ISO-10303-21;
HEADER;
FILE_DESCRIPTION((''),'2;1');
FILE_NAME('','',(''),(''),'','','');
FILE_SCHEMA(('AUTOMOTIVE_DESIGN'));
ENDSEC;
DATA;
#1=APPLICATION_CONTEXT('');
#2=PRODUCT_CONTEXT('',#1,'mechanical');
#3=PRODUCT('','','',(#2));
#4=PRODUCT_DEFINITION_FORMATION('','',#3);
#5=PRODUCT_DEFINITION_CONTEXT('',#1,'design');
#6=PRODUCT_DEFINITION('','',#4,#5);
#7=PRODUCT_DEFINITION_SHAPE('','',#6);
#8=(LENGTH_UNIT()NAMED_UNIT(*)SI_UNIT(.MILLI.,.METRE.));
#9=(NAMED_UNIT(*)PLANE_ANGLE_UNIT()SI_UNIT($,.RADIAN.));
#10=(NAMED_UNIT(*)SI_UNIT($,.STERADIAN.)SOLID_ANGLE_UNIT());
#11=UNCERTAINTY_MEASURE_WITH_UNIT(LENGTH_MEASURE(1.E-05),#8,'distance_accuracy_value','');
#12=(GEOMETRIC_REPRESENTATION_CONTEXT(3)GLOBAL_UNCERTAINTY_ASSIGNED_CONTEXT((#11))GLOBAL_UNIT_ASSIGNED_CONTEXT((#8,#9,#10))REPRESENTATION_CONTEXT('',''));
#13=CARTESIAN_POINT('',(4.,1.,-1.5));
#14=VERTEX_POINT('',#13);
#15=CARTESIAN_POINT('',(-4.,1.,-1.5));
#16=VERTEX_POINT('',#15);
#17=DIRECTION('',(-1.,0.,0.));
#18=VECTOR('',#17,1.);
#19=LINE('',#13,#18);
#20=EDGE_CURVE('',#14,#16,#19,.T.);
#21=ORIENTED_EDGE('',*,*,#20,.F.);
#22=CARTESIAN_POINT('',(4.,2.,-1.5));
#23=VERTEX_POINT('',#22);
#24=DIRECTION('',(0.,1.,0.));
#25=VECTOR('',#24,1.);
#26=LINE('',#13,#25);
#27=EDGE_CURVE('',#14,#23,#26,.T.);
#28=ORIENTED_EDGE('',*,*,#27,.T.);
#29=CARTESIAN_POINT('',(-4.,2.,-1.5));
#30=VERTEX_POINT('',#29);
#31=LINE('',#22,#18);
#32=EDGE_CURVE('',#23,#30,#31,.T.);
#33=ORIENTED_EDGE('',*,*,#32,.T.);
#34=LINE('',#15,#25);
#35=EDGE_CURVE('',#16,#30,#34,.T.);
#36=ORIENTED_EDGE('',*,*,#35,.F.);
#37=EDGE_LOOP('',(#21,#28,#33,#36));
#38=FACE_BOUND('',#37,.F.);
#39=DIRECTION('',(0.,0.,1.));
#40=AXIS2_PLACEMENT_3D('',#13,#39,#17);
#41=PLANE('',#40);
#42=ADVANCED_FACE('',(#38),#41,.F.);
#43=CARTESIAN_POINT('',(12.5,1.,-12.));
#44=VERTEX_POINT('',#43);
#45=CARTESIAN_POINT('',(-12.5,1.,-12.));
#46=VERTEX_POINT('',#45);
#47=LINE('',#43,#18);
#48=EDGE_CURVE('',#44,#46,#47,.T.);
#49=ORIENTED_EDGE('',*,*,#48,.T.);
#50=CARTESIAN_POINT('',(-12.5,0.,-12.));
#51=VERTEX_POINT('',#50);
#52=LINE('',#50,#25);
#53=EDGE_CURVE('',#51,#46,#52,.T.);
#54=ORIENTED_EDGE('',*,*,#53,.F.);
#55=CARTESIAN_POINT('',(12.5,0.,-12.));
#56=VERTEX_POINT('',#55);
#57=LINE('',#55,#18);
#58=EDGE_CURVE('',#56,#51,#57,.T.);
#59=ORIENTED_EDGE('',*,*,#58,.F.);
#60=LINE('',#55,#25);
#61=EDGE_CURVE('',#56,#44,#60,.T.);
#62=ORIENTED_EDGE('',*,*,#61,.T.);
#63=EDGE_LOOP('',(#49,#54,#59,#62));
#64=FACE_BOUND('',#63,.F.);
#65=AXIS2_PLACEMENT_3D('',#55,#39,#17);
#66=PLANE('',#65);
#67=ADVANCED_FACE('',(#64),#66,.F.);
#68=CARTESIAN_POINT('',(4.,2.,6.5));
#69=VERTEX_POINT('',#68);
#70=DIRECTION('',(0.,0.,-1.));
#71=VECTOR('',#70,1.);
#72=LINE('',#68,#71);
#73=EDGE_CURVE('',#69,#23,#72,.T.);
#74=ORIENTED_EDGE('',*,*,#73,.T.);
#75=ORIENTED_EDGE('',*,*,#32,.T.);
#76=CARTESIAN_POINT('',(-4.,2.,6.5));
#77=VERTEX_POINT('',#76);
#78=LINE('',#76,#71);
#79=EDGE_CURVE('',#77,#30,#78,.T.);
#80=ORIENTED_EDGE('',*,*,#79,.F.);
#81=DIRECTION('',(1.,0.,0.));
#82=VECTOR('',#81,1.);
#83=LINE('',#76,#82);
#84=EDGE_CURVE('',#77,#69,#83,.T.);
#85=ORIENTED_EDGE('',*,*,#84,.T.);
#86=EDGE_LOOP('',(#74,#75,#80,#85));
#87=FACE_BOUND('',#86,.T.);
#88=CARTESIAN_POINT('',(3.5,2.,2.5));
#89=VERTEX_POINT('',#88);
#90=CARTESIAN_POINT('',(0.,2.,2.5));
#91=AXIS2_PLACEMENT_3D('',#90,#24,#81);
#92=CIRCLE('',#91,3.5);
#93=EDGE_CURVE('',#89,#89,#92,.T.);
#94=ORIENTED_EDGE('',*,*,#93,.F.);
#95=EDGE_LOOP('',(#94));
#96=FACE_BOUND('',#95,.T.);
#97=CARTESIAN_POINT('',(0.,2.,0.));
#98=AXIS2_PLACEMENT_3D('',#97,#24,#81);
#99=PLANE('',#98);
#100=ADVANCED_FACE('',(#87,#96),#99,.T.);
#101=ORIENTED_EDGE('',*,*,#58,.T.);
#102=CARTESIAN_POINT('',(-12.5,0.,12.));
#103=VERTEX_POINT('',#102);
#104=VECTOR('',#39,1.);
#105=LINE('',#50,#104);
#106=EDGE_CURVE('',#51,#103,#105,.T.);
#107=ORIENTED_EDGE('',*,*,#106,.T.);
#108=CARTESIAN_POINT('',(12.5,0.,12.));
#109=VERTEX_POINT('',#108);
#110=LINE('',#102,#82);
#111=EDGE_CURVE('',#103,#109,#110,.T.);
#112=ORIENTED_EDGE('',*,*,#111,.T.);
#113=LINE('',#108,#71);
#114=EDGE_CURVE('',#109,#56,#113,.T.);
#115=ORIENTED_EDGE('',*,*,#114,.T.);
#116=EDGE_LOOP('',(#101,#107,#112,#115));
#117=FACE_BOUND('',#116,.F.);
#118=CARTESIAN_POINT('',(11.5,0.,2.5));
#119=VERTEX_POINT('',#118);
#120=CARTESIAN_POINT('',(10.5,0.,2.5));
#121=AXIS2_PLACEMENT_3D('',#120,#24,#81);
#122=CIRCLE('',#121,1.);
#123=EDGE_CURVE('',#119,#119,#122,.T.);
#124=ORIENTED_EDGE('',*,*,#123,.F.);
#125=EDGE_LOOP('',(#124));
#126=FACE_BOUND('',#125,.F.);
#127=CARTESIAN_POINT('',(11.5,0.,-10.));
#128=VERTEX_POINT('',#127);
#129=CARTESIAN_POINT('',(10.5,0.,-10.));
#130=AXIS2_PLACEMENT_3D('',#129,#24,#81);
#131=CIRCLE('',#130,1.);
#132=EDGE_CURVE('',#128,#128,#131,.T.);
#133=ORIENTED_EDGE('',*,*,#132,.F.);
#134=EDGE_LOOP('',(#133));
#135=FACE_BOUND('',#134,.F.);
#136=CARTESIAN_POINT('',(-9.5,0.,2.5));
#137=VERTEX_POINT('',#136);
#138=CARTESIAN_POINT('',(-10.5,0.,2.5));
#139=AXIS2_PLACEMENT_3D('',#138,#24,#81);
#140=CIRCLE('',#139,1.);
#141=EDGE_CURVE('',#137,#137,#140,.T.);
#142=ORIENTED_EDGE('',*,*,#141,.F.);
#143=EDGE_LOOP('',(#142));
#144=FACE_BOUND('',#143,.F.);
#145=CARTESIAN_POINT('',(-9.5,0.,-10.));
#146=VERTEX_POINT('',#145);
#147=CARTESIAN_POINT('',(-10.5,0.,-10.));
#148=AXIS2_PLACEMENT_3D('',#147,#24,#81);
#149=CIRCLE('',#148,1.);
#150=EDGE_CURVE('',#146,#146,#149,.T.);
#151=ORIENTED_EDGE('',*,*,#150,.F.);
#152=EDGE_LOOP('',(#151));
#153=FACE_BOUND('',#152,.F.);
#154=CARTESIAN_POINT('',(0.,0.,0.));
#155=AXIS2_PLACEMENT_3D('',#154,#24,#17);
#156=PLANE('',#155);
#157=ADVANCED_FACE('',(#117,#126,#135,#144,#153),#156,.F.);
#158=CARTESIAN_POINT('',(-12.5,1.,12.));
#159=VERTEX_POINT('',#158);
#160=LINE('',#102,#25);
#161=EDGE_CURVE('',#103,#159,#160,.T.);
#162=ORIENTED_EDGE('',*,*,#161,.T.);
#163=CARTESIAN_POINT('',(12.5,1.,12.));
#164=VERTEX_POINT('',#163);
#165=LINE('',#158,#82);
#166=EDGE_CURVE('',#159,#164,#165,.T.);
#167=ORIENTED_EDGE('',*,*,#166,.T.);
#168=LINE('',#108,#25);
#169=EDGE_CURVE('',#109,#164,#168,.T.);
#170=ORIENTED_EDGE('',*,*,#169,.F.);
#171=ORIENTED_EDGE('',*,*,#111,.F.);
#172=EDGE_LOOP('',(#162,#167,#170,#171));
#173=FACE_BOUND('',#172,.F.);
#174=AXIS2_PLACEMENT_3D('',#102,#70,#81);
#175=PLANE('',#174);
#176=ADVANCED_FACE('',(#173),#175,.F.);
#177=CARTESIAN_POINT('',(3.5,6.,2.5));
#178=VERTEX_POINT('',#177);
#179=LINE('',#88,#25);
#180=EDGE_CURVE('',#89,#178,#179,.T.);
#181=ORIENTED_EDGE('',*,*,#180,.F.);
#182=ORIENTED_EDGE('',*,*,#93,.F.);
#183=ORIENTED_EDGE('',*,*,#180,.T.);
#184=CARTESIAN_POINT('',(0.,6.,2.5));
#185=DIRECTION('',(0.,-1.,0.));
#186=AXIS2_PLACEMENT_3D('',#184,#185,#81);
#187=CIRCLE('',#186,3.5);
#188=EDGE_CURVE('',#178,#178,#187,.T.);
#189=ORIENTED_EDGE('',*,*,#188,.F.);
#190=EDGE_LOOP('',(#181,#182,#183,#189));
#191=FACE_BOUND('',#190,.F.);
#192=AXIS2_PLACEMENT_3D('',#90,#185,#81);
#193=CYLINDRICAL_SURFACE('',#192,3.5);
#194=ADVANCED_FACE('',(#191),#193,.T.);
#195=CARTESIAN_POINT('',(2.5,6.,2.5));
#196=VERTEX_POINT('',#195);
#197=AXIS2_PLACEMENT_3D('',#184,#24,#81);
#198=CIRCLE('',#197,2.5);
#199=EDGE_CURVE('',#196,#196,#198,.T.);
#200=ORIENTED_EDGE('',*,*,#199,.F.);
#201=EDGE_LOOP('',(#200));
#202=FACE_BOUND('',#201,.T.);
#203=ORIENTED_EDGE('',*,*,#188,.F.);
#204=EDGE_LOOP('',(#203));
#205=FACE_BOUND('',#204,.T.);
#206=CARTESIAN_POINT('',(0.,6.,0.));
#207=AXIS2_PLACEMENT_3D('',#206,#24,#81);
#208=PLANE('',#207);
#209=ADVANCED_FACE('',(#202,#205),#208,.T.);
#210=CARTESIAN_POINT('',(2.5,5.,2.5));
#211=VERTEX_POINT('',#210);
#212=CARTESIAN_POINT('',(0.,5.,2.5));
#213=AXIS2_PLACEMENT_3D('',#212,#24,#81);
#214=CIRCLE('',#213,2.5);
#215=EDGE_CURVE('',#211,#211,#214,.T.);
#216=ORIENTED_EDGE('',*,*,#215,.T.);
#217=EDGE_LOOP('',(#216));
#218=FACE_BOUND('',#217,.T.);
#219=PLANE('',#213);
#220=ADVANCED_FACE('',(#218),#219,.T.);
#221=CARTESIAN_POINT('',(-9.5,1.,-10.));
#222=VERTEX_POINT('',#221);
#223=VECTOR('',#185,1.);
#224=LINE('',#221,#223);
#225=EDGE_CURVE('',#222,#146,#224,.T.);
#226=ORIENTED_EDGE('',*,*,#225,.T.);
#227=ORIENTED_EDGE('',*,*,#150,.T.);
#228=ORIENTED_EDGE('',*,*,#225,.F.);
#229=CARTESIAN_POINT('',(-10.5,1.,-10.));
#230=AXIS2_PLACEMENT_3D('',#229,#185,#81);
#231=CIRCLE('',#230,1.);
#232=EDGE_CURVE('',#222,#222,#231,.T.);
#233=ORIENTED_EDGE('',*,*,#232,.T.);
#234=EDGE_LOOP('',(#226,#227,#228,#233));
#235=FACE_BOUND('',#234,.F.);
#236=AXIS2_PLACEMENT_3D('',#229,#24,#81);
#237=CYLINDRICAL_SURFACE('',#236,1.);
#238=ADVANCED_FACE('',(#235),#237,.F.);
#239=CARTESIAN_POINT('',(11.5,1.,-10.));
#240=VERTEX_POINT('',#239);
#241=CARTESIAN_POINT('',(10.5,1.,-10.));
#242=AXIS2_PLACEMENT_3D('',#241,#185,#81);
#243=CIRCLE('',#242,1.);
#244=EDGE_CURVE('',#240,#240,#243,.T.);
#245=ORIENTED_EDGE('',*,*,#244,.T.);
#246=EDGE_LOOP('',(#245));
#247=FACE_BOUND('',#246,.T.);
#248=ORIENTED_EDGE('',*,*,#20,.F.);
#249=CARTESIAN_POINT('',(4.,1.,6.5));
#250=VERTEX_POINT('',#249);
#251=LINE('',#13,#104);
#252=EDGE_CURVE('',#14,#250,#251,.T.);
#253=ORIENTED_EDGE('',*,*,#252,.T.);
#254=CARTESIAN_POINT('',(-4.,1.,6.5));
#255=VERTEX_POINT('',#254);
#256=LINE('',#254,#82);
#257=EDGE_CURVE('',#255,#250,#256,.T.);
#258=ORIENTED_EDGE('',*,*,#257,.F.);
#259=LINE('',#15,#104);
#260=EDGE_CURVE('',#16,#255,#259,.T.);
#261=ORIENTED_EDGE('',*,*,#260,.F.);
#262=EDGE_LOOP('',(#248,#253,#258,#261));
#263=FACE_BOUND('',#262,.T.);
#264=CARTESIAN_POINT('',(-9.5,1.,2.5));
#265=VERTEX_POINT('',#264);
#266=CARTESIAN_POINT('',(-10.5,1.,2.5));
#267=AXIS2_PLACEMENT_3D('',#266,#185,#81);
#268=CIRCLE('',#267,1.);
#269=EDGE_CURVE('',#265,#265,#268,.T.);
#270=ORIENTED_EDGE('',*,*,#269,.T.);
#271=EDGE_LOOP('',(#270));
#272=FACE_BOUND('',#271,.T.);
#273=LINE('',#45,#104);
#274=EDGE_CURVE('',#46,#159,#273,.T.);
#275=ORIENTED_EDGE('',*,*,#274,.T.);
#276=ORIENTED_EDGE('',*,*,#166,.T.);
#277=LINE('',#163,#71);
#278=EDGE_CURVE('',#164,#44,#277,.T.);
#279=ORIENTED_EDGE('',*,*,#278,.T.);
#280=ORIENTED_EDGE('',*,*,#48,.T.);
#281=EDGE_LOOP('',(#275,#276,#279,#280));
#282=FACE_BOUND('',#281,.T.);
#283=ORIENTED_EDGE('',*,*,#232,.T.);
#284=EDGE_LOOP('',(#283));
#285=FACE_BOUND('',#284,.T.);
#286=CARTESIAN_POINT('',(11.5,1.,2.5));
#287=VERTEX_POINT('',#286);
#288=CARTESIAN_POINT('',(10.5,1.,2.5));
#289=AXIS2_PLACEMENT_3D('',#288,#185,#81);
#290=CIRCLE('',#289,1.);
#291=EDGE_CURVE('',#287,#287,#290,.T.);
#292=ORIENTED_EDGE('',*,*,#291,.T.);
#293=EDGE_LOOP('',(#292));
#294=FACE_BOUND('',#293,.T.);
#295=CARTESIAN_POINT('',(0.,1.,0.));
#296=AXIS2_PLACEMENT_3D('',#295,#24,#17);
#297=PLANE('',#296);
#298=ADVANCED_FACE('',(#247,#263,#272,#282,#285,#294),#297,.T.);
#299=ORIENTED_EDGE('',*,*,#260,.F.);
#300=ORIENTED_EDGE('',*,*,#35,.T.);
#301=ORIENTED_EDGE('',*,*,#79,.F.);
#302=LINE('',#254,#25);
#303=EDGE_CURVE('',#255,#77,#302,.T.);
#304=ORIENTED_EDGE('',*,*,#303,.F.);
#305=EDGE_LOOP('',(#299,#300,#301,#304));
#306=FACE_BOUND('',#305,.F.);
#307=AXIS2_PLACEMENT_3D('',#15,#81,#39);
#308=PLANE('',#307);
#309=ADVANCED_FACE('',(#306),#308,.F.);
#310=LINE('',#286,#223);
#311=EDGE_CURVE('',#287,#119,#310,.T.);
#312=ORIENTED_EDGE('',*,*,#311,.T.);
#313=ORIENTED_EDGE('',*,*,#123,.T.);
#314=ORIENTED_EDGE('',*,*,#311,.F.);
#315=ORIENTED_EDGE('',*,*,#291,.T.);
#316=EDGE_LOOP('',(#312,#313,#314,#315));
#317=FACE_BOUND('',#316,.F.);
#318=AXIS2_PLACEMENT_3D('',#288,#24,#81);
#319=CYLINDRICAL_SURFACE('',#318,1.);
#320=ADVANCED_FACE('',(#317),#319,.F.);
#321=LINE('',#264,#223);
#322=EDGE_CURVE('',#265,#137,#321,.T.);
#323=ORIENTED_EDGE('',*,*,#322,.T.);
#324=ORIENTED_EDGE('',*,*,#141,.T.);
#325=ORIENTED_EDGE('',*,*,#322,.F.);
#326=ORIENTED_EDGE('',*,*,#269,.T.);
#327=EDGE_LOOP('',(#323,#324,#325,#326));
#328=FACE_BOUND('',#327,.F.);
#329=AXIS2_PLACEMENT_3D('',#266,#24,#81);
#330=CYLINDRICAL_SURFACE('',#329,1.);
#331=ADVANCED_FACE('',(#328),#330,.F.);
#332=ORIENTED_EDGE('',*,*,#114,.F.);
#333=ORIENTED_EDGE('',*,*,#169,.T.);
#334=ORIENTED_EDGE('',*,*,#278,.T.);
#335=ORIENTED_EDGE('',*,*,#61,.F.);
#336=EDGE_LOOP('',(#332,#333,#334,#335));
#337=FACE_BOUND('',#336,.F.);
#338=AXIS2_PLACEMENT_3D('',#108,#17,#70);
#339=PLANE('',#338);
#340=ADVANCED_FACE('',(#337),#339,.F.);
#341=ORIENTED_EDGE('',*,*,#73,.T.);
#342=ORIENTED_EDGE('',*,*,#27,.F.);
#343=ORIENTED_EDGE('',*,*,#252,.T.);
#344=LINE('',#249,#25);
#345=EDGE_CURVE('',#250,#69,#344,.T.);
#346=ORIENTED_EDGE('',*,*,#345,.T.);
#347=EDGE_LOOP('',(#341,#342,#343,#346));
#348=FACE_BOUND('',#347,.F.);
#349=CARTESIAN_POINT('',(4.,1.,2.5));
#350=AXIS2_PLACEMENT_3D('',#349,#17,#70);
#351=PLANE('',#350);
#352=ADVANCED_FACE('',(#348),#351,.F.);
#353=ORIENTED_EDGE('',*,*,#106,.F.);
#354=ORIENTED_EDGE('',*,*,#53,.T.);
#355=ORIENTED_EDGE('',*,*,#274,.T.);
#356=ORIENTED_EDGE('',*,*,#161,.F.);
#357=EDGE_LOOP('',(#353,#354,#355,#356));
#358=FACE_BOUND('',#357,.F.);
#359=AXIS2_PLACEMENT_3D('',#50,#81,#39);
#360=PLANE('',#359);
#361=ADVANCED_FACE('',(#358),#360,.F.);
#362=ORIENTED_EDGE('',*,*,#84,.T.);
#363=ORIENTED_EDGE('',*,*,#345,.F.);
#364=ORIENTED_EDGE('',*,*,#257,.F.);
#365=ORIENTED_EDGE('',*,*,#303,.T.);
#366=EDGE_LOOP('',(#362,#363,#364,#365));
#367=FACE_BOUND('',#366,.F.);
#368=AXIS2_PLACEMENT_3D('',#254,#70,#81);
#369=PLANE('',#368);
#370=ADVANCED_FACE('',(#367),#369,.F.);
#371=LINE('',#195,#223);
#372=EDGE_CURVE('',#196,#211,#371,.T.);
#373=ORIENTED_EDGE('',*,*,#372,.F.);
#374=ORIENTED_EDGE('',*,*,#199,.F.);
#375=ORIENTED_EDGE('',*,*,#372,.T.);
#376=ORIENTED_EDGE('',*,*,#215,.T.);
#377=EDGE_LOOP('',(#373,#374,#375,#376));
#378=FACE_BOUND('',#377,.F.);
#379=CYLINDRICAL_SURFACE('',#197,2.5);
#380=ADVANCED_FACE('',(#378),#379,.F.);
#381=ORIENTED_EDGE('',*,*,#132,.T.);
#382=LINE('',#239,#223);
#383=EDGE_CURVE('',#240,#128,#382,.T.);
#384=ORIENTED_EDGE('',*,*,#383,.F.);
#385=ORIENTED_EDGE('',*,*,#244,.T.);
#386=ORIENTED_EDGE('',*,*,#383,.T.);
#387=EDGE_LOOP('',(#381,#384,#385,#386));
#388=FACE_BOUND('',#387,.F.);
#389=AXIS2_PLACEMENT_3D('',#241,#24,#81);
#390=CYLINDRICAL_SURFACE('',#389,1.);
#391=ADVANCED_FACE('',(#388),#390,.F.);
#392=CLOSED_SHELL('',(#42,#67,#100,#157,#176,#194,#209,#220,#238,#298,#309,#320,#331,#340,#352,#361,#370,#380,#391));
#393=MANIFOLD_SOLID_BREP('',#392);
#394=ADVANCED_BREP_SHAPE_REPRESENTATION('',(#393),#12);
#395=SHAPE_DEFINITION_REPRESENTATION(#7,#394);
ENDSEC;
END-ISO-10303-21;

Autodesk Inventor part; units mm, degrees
ref_plane "YZ Plane" through (0, 0, 0) normal (1, 0, 0) x (0, 1, 0)
ref_plane "XZ Plane" through (0, 0, 0) normal (0, 1, 0) x (-1, 0, 0)
ref_plane "XY Plane" through (0, 0, 0) normal (0, 0, 1) x (1, 0, 0)
sketch "Sketch1" plane through (0, 0, 0) normal (0, 1, 0) x (-1, 0, 0)
  line L0 (12.5, 12) -> (-12.5, 12)
  line L1 (-12.5, 12) -> (-12.5, -12)
  line L2 (-12.5, -12) -> (12.5, -12)
  line L3 (12.5, -12) -> (12.5, 12)
  line L4 (12.5, 12) -> (-12.5, -12) construction
  line L5 (-12.5, 12) -> (12.5, -12) construction
  point P0 (0, 0)
  dimension "d0" = 25
  dimension "d1" = 24
extrude "Extrusion1" add sketch "Sketch1" along normal blind 1
sketch "Sketch2" plane through (0, 1, 0) normal (0, 1, 0) x (1, 0, 0)
  line L0 (-12.5, 12) -> (-10.5, 12)
  line L1 (-10.5, 12) -> (-10.5, 10)
  line L2 (-10.5, 10) -> (-12.5, 10)
  line L3 (-12.5, 10) -> (-12.5, 12)
  line L4 (12.5, 12) -> (10.5, 12)
  line L5 (10.5, 12) -> (10.5, 10)
  line L6 (10.5, 10) -> (12.5, 10)
  line L7 (12.5, 10) -> (12.5, 12)
  line L8 (-12.5, 12) -> (-10.5, 12)
  line L9 (-10.5, 12) -> (-10.5, -2.5)
  line L10 (-10.5, -2.5) -> (-12.5, -2.5)
  line L11 (-12.5, -2.5) -> (-12.5, 12)
  line L12 (12.5, 12) -> (10.5, 12)
  line L13 (10.5, 12) -> (10.5, -2.5)
  line L14 (10.5, -2.5) -> (12.5, -2.5)
  line L15 (12.5, -2.5) -> (12.5, 12)
  circle A0 centre (-10.5, 10) radius 1
  circle A1 centre (-10.5, -2.5) radius 1
  circle A2 centre (10.5, -2.5) radius 1
  circle A3 centre (10.5, 10) radius 1
  point P0 (0, 0)
  dimension "d4" = 2
  dimension "d5" = 2
  dimension "d6" = 2
  dimension "d7" = 2
  dimension "d8" = 14.5
  dimension "d9" = 14.5
  dimension "d10" = 2
  dimension "d11" = 2
  dimension "d12" = 2
  dimension "d13" = 2
extrude "Extrusion2" cut sketch "Sketch2" against normal up to next contours A0 L9 L1 | L1 L2 A0 | L2 L9 A0 | A1 L9 L10 | L10 L9 A1 | A3 L6 L5 | L5 L13 A3 | A3 L13 L6 | A2 L13 L14 | L14 L13 A2
sketch "Sketch3" plane through (0, 1, 0) normal (0, 1, 0) x (1, 0, 0)
  circle A0 centre (-10.5, -2.5) radius 1 projected
  circle A1 centre (10.5, -2.5) radius 1 projected
  line L0 (-12.5, 12) -> (-12.5, -12) projected
  line L1 (-10.5, -2.5) -> (10.5, -2.5)
  line L2 (-4, -6.5) -> (4, -6.5)
  line L3 (4, -6.5) -> (4, 1.5)
  line L4 (4, 1.5) -> (-4, 1.5)
  line L5 (-4, 1.5) -> (-4, -6.5)
  line L6 (-4, -6.5) -> (4, 1.5) construction
  line L7 (4, -6.5) -> (-4, 1.5) construction
  point P0 (0, 0)
  point P1 (0, -2.5)
  dimension "d16" = 8
  dimension "d17" = 8
extrude "Extrusion3" add sketch "Sketch3" along normal blind 1 contours L5 L4 L3 L1 | L1 L3 L2 L5
sketch "Sketch4" plane through (0, 2, 0) normal (0, 1, 0) x (1, 0, 0)
  line L0 (-4, 1.5) -> (4, -6.5)
  circle A0 centre (0, -2.5) radius 3.5
  point P0 (0, 0)
  dimension "d20" = 7
extrude "Extrusion4" add sketch "Sketch4" along normal blind 4
sketch "Sketch5" plane through (0, 6, 2.5) normal (0, 1, 0) x (1, 0, 0)
  circle A0 centre (0, 0) radius 3.5 projected
  circle A1 centre (0, 0) radius 2.5
  point P0 (0, 2.5)
  dimension "d23" = 5
extrude "Extrusion5" cut sketch "Sketch5" against normal blind 1 contours A1
properties part number "kamera"
